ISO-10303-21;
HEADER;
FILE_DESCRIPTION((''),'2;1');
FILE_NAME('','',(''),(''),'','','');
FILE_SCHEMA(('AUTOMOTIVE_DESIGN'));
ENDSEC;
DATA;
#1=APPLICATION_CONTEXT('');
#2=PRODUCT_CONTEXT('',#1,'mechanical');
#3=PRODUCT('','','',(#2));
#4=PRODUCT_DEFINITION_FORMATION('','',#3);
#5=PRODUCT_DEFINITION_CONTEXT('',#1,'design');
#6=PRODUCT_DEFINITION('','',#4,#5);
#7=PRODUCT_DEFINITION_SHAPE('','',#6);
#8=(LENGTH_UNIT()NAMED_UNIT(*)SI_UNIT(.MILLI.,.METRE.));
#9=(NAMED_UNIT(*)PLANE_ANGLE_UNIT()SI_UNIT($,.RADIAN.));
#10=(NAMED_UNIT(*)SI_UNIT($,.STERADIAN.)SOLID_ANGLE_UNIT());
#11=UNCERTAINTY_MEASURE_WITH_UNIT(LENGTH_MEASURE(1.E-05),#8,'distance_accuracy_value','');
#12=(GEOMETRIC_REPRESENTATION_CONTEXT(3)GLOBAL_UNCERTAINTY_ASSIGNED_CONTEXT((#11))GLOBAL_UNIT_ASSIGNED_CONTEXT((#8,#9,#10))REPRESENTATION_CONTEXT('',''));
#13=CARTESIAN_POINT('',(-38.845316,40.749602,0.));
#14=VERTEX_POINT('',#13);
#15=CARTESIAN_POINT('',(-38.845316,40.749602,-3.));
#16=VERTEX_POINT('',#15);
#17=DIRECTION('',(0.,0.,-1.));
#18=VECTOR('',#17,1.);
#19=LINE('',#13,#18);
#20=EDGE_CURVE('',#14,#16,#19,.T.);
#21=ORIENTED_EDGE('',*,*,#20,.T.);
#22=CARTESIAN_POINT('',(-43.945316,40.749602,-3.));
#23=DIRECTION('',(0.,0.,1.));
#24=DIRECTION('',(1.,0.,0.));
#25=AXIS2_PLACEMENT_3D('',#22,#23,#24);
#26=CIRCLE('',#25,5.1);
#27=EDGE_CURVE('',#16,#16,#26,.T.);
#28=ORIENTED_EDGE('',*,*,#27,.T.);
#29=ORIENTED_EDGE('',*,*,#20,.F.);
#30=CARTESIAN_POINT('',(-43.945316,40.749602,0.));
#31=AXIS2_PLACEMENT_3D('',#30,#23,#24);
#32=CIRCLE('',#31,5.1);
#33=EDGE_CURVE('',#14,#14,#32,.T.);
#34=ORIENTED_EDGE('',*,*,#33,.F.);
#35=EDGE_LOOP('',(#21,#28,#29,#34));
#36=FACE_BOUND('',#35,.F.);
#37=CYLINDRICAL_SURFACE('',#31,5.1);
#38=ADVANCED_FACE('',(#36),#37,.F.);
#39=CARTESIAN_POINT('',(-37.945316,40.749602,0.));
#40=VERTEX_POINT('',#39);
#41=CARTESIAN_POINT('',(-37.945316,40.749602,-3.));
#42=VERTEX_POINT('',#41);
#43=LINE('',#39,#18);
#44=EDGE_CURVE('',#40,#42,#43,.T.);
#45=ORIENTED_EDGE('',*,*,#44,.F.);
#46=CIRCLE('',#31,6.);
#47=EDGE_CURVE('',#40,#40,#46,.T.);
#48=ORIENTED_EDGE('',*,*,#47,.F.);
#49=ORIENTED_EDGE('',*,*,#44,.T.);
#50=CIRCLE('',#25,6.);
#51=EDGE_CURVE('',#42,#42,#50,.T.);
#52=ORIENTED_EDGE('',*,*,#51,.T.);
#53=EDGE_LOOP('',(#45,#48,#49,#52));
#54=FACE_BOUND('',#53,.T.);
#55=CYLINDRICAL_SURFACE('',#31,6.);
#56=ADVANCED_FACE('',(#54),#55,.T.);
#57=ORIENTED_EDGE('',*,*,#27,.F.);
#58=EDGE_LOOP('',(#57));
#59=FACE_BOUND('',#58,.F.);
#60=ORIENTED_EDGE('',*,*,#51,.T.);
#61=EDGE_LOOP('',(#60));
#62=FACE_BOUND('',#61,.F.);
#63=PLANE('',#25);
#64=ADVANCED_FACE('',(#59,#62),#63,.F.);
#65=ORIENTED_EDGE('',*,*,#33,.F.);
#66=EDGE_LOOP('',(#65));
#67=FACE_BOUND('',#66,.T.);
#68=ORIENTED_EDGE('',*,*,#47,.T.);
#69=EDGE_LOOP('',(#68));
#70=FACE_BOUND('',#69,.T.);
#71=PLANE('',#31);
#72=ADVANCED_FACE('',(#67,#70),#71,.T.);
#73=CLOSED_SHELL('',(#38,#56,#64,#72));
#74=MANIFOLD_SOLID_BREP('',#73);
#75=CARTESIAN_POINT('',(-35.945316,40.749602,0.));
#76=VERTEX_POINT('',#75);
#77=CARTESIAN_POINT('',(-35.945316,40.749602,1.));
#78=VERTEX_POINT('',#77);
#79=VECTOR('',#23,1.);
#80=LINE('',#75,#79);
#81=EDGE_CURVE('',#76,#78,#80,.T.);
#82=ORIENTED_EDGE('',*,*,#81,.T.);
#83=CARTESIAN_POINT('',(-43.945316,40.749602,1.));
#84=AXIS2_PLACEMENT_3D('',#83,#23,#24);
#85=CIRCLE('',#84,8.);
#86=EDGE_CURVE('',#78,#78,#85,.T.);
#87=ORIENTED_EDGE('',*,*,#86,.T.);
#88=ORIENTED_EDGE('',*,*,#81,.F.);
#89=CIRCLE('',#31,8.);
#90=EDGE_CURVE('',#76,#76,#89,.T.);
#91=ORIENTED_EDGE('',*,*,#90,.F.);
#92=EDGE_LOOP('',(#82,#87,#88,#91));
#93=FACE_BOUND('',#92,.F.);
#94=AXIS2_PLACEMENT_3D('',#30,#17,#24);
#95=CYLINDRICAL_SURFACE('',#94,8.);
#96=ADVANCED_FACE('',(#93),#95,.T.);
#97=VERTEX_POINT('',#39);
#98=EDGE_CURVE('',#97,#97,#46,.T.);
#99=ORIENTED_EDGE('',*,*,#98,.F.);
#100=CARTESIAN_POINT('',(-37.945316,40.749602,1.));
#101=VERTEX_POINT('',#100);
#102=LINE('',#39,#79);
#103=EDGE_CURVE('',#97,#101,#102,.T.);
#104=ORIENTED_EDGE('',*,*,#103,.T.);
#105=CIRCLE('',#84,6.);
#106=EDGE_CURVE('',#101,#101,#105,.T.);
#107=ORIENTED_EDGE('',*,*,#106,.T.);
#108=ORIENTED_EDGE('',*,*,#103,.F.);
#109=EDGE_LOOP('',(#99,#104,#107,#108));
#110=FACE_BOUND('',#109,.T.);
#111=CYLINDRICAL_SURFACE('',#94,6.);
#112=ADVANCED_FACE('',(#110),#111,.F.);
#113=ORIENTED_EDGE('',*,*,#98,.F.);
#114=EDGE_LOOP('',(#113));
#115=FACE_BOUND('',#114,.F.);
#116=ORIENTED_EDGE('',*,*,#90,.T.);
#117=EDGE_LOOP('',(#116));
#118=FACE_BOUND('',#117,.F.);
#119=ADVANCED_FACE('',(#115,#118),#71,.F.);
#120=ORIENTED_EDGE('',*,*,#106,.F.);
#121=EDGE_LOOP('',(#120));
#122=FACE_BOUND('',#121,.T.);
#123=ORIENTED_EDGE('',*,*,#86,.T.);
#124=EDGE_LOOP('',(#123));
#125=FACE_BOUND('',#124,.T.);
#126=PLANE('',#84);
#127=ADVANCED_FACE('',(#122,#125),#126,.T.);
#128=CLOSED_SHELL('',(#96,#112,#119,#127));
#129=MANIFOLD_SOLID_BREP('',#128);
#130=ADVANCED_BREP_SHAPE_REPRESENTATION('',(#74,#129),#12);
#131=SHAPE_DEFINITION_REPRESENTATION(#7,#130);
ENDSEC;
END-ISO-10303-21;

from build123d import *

# Parameters (mm, degrees)
F0_R     = 8
F0_R_2   = 6
F1_DEPTH = 1
F0_R_3   = 5.7
F0_R_4   = 5.1
F2_DEPTH = 3


with BuildPart() as f1:
    # F0 (on Top) → F1 (new body)
    with BuildSketch(Plane.XY):
        with Locations((-43.945316, 40.749602)):
            Circle(F0_R)
        with Locations((-43.945316, 40.749602)):
            Circle(F0_R_2, mode=Mode.SUBTRACT)
    extrude(amount=F1_DEPTH)


with BuildPart() as f2:
    # F0 (on Top) → F2 (new body)
    with BuildSketch(Plane.XY):
        with Locations((-43.945316, 40.749602)):
            Circle(F0_R_2)
        with Locations((-43.945316, 40.749602)):
            Circle(F0_R_3, mode=Mode.SUBTRACT)
        with Locations((-43.945316, 40.749602)):
            Circle(F0_R_3)
        with Locations((-43.945316, 40.749602)):
            Circle(F0_R_4, mode=Mode.SUBTRACT)
    extrude(amount=-F2_DEPTH)


solid = Compound([f1.part, f2.part])
